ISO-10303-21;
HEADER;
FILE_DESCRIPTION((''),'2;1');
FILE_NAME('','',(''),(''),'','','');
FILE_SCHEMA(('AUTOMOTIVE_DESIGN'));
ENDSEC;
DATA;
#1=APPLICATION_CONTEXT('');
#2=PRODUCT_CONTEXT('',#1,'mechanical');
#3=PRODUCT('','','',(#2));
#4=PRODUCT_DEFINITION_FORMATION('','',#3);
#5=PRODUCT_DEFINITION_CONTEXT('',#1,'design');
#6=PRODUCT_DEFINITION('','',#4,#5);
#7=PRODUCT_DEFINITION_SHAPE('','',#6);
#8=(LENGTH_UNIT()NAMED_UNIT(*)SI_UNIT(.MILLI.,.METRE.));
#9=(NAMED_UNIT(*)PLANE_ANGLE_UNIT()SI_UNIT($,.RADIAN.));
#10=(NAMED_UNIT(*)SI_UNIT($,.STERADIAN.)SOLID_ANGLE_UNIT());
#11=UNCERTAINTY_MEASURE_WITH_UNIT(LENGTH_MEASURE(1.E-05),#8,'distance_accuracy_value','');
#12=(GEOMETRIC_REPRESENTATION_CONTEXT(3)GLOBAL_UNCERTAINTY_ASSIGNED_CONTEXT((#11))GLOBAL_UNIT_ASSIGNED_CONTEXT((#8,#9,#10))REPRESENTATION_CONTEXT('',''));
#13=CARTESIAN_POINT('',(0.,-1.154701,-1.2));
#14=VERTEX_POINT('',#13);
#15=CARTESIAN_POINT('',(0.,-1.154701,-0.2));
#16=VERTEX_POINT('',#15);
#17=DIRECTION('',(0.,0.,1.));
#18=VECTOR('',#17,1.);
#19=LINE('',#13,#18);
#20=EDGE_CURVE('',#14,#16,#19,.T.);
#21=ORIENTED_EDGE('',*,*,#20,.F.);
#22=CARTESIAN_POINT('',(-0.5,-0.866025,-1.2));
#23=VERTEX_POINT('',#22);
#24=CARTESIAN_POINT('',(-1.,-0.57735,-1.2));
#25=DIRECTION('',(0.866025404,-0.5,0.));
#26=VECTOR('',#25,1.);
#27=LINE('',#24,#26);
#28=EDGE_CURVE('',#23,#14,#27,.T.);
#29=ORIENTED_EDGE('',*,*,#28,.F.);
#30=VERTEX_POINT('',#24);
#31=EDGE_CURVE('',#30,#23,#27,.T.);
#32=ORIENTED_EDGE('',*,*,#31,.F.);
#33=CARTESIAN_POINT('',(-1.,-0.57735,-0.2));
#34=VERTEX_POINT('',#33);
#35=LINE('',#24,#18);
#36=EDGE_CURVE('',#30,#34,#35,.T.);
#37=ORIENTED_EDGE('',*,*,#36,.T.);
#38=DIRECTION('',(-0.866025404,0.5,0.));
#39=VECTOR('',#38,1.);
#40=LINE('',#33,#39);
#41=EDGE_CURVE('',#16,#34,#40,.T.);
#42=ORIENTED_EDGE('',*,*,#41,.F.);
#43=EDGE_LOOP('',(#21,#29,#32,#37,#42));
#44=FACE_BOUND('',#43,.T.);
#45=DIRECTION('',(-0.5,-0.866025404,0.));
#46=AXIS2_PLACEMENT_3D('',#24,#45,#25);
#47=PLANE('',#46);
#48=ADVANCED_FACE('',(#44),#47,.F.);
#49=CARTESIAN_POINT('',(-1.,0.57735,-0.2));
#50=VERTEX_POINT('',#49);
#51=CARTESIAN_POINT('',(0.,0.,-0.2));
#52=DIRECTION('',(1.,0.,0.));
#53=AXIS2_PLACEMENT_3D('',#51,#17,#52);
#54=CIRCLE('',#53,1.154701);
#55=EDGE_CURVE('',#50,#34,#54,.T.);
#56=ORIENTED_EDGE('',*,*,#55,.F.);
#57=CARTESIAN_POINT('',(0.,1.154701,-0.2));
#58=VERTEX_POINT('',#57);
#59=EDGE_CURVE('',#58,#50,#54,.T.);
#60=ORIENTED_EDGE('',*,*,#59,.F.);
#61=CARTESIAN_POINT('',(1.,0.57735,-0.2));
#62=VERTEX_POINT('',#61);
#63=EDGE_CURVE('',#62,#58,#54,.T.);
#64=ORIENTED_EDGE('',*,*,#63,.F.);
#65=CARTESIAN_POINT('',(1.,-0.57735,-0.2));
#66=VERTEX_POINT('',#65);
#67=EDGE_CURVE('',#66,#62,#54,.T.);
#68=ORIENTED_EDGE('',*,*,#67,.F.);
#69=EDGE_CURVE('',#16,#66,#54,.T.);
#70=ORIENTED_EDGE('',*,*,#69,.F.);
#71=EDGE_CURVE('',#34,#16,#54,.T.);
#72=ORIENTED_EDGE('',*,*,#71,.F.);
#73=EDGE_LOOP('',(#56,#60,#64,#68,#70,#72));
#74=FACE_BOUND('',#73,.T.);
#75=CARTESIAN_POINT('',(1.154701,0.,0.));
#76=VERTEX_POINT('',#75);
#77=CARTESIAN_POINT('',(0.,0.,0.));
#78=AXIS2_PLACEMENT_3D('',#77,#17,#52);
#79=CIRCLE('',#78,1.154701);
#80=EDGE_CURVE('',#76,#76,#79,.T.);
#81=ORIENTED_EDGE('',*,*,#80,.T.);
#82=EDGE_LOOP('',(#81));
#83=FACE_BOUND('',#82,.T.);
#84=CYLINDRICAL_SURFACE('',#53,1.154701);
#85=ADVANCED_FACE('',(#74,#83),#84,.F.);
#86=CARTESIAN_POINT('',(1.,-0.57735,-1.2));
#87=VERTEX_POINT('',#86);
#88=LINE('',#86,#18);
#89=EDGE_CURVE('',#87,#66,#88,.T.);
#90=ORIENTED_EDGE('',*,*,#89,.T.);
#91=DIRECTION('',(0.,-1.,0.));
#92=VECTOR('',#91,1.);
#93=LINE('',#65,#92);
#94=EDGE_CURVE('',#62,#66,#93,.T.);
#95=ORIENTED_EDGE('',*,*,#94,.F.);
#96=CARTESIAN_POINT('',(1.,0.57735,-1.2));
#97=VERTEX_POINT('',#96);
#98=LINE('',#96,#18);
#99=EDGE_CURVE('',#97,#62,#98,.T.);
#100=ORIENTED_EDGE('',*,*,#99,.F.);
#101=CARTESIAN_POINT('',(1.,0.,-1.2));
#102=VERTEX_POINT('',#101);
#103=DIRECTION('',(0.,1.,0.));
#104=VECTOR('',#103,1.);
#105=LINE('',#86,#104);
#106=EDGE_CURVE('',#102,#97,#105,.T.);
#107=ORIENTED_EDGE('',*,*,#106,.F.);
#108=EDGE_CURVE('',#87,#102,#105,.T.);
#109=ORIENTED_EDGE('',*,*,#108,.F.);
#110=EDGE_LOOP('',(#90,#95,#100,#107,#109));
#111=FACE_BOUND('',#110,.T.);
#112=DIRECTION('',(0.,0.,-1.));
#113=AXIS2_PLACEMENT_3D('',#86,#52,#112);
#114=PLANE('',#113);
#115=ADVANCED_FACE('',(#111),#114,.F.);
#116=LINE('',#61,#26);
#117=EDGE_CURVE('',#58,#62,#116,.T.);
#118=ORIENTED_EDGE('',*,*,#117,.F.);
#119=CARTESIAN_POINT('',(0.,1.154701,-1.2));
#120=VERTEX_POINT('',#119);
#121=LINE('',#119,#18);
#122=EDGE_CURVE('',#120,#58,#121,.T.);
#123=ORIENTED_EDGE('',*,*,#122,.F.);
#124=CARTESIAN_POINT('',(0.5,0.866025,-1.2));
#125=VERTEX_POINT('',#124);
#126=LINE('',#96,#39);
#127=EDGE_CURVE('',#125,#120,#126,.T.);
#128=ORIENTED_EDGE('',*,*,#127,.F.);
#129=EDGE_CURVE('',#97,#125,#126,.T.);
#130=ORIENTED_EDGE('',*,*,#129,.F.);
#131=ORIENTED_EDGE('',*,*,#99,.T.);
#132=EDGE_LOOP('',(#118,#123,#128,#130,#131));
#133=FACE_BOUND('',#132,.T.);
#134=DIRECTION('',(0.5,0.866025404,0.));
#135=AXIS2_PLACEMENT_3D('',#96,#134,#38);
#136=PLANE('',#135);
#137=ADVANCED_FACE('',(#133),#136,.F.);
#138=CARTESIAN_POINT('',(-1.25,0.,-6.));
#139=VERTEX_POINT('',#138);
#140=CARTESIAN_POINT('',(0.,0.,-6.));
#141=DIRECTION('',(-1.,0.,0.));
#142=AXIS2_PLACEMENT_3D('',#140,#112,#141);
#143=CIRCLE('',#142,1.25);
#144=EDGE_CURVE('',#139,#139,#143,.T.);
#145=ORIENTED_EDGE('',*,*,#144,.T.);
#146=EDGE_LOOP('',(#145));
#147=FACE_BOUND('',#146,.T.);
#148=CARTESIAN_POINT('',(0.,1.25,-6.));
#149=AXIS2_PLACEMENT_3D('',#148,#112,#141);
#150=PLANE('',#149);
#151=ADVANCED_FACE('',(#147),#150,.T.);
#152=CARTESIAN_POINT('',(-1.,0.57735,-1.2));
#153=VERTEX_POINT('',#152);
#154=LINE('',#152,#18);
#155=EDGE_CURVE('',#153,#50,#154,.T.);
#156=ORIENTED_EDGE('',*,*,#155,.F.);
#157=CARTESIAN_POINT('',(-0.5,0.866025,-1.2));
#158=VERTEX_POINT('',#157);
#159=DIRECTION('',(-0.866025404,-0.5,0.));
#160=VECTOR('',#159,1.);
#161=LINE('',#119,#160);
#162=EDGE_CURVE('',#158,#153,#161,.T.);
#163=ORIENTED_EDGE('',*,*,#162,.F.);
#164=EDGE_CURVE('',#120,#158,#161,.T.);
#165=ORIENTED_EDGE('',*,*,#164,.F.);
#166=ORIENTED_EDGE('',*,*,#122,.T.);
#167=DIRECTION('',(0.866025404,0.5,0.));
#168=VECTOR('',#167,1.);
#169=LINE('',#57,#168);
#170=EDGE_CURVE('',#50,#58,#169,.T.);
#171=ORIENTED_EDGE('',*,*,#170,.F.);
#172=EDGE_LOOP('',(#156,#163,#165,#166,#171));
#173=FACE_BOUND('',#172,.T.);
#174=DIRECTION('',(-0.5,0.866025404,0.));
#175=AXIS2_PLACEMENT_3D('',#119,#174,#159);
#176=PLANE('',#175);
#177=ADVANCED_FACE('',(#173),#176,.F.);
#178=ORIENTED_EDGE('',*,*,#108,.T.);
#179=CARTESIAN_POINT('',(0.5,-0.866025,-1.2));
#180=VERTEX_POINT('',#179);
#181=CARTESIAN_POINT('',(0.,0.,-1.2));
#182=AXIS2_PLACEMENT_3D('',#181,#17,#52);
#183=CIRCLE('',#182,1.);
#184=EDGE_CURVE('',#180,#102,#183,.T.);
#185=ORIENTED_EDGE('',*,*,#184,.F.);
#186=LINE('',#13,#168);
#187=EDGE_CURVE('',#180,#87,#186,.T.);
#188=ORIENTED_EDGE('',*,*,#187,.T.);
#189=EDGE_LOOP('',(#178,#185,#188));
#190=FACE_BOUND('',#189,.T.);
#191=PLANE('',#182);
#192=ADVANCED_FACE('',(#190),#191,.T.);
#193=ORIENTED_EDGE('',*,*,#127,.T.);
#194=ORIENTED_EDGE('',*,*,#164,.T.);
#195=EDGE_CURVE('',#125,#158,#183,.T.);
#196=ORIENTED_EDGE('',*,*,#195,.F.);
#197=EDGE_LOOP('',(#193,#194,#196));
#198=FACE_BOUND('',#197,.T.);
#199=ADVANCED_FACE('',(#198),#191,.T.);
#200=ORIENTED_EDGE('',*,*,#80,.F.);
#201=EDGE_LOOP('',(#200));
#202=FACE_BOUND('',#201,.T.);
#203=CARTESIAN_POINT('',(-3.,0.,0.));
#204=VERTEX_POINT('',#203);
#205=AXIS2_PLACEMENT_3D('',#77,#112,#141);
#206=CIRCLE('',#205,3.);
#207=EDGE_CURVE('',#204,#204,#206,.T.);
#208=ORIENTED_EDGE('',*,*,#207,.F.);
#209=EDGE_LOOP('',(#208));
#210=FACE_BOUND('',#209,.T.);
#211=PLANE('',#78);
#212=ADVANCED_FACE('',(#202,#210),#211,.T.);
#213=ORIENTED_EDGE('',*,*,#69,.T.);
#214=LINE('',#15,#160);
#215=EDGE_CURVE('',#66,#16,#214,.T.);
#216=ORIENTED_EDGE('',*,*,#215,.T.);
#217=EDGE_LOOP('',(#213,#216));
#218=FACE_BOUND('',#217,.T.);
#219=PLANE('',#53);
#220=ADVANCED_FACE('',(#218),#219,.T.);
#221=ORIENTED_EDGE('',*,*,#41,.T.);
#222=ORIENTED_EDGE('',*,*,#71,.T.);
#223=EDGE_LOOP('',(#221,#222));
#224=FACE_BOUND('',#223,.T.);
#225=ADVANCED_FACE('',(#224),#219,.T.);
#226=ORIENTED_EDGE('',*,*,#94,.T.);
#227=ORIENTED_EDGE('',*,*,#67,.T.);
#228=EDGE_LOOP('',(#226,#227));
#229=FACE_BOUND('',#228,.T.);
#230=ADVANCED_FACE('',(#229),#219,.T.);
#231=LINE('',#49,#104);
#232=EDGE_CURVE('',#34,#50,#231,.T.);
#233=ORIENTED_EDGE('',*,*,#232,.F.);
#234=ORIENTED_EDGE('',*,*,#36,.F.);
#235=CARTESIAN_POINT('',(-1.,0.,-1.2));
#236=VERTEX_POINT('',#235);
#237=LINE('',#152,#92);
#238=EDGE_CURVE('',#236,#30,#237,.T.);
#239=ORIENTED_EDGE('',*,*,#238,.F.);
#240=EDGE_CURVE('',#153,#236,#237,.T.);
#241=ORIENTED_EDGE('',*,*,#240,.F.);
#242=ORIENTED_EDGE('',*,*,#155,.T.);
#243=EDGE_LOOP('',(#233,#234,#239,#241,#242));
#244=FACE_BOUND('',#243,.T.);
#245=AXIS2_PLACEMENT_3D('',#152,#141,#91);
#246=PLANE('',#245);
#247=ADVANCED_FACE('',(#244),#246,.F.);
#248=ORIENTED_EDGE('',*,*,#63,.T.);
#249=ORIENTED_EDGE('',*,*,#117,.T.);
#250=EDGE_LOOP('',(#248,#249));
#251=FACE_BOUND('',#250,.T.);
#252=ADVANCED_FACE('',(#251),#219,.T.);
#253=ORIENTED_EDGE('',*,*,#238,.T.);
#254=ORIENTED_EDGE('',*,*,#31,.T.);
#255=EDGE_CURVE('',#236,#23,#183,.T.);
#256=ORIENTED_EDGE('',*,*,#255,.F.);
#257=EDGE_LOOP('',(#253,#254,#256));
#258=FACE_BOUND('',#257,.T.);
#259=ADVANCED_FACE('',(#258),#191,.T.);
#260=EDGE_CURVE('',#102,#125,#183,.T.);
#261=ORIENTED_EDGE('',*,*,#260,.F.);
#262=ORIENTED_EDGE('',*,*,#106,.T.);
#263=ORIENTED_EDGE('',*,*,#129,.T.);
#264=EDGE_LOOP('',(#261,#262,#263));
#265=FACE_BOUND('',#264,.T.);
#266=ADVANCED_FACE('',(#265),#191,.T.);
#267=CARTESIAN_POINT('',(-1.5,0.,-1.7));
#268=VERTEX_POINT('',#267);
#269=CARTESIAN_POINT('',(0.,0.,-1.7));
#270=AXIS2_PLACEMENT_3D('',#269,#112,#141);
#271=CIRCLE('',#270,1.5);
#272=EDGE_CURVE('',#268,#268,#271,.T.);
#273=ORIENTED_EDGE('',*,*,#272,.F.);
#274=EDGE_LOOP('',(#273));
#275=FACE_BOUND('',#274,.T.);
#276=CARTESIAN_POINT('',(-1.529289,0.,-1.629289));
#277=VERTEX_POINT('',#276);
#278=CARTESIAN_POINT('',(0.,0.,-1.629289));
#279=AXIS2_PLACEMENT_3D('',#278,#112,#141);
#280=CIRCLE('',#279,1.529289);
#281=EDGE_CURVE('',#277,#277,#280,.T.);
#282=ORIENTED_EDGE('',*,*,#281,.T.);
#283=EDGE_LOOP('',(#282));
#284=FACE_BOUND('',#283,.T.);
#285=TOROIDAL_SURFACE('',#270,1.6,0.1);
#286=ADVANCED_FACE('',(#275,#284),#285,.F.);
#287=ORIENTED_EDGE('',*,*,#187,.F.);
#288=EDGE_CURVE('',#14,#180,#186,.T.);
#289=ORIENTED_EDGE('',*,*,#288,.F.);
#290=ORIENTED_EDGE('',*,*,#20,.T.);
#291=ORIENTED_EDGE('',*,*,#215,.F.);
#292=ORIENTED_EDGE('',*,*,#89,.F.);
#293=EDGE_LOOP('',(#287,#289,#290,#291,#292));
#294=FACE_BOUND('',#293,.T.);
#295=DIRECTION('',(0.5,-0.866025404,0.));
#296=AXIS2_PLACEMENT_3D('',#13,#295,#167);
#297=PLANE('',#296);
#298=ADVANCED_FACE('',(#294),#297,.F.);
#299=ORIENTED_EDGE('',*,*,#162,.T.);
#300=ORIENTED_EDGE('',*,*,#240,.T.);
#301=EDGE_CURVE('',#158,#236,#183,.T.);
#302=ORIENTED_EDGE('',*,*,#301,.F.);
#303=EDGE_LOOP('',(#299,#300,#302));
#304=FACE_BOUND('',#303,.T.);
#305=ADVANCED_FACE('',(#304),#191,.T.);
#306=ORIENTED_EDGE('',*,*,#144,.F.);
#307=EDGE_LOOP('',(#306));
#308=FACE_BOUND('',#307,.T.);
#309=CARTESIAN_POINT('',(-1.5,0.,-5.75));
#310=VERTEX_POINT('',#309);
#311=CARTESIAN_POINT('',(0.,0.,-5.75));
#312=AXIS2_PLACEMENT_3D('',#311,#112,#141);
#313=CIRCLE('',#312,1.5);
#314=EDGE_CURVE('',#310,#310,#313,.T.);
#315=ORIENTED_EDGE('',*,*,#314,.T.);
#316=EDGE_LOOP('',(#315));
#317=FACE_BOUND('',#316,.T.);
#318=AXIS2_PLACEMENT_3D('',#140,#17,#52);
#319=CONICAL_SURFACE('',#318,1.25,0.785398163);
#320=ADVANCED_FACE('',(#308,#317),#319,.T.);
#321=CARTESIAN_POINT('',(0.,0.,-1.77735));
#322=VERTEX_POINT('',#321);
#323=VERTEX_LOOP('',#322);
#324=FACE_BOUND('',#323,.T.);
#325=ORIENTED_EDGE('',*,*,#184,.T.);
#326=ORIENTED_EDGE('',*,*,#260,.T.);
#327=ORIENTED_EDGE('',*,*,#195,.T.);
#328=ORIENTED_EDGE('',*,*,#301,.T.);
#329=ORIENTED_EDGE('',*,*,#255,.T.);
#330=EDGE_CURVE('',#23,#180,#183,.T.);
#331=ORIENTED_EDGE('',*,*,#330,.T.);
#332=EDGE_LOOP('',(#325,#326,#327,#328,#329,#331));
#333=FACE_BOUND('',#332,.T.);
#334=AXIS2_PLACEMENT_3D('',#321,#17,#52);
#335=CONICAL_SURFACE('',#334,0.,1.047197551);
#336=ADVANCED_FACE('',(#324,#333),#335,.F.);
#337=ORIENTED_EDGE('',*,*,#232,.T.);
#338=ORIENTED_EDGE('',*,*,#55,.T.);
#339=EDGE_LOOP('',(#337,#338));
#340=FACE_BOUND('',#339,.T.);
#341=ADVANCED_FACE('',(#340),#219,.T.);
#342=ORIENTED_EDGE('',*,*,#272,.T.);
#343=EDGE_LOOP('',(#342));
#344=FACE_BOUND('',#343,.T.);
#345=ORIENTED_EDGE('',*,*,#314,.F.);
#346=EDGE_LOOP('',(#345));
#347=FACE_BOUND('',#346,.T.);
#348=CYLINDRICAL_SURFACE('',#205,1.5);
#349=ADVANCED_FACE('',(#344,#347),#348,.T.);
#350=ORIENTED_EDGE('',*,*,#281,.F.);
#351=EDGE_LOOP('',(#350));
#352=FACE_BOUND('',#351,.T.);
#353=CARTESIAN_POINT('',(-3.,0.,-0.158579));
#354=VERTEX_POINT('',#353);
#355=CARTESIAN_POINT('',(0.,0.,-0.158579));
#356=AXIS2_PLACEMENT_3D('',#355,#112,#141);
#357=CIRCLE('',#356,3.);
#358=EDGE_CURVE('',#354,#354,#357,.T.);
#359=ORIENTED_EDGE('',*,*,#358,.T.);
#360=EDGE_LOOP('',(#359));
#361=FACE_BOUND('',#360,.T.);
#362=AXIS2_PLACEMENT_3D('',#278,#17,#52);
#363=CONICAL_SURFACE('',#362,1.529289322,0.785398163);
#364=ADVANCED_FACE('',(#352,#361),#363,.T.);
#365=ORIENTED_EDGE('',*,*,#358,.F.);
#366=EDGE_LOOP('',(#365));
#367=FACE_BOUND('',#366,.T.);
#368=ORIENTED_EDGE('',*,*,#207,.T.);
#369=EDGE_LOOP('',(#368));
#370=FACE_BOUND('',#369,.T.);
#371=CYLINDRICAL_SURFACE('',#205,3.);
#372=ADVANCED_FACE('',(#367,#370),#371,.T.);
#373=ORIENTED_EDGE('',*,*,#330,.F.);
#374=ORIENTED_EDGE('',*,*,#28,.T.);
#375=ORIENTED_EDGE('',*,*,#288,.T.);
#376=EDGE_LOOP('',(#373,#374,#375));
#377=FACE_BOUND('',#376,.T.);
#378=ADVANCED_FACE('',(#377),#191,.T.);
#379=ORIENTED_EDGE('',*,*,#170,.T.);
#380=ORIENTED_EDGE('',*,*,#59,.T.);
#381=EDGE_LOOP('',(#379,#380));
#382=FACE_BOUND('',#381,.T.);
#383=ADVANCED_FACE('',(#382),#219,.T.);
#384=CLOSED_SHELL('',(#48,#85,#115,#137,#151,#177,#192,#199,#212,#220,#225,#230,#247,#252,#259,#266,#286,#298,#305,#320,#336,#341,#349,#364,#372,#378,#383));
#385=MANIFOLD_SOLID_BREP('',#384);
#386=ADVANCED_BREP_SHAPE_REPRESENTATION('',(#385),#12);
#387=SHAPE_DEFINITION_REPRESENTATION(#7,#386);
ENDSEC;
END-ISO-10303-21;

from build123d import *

# Parameters (mm, degrees)
CUT_EXTRUDE1_DEPTH = 1.2
SKETCH5_R          = 1.154700538
CUT_EXTRUDE2_DEPTH = 0.2


with BuildPart() as part:
    # Sketch2 → Revolve1 (revolve)
    with BuildSketch(Plane(origin=(0, 0, 0), x_dir=(0, 0, -1), z_dir=(1, 0, 0))):
        with BuildLine():
            Line((0, 0), (0, 3))
            Line((0, 3), (0.158578644, 3))
            Line((0.158578644, 3), (1.629289322, 1.529289322))
            ThreePointArc((1.629289322, 1.529289322), (1.661731657, 1.507612047), (1.7, 1.5))
            Line((1.7, 1.5), (5.75, 1.5))
            Line((5.75, 1.5), (6, 1.25))
            Line((6, 1.25), (6, 0))
            Line((6, 0), (0, 0))
        make_face()
    revolve(axis=Axis((0, 0, 0), (0, 0, 1)))

    # Sketch3 → Cut-Extrude1 (cut)
    with BuildSketch(Plane.XY):
        Polygon((0, 1.154700538), (-1, 0.577350269), (-1, -0.577350269), (0, -1.154700538), (1, -0.577350269), (1, 0.577350269), align=None)
    extrude(amount=-CUT_EXTRUDE1_DEPTH, mode=Mode.SUBTRACT)

    # Sketch4 → Cut-Revolve1 (revolve, cut)
    with BuildSketch(Plane(origin=(0, 0, 0), x_dir=(0, 0, -1), z_dir=(1, 0, 0))):
        Polygon((1.2, 0), (1.2, 1), (1.777350269, 0), align=None)
    revolve(axis=Axis((0, 0, 0), (0, 0, -1)), mode=Mode.SUBTRACT)

    # Sketch5 → Cut-Extrude2 (cut)
    with BuildSketch(Plane.XY):
        Circle(SKETCH5_R)
    extrude(amount=-CUT_EXTRUDE2_DEPTH, mode=Mode.SUBTRACT)


solid = part.part
